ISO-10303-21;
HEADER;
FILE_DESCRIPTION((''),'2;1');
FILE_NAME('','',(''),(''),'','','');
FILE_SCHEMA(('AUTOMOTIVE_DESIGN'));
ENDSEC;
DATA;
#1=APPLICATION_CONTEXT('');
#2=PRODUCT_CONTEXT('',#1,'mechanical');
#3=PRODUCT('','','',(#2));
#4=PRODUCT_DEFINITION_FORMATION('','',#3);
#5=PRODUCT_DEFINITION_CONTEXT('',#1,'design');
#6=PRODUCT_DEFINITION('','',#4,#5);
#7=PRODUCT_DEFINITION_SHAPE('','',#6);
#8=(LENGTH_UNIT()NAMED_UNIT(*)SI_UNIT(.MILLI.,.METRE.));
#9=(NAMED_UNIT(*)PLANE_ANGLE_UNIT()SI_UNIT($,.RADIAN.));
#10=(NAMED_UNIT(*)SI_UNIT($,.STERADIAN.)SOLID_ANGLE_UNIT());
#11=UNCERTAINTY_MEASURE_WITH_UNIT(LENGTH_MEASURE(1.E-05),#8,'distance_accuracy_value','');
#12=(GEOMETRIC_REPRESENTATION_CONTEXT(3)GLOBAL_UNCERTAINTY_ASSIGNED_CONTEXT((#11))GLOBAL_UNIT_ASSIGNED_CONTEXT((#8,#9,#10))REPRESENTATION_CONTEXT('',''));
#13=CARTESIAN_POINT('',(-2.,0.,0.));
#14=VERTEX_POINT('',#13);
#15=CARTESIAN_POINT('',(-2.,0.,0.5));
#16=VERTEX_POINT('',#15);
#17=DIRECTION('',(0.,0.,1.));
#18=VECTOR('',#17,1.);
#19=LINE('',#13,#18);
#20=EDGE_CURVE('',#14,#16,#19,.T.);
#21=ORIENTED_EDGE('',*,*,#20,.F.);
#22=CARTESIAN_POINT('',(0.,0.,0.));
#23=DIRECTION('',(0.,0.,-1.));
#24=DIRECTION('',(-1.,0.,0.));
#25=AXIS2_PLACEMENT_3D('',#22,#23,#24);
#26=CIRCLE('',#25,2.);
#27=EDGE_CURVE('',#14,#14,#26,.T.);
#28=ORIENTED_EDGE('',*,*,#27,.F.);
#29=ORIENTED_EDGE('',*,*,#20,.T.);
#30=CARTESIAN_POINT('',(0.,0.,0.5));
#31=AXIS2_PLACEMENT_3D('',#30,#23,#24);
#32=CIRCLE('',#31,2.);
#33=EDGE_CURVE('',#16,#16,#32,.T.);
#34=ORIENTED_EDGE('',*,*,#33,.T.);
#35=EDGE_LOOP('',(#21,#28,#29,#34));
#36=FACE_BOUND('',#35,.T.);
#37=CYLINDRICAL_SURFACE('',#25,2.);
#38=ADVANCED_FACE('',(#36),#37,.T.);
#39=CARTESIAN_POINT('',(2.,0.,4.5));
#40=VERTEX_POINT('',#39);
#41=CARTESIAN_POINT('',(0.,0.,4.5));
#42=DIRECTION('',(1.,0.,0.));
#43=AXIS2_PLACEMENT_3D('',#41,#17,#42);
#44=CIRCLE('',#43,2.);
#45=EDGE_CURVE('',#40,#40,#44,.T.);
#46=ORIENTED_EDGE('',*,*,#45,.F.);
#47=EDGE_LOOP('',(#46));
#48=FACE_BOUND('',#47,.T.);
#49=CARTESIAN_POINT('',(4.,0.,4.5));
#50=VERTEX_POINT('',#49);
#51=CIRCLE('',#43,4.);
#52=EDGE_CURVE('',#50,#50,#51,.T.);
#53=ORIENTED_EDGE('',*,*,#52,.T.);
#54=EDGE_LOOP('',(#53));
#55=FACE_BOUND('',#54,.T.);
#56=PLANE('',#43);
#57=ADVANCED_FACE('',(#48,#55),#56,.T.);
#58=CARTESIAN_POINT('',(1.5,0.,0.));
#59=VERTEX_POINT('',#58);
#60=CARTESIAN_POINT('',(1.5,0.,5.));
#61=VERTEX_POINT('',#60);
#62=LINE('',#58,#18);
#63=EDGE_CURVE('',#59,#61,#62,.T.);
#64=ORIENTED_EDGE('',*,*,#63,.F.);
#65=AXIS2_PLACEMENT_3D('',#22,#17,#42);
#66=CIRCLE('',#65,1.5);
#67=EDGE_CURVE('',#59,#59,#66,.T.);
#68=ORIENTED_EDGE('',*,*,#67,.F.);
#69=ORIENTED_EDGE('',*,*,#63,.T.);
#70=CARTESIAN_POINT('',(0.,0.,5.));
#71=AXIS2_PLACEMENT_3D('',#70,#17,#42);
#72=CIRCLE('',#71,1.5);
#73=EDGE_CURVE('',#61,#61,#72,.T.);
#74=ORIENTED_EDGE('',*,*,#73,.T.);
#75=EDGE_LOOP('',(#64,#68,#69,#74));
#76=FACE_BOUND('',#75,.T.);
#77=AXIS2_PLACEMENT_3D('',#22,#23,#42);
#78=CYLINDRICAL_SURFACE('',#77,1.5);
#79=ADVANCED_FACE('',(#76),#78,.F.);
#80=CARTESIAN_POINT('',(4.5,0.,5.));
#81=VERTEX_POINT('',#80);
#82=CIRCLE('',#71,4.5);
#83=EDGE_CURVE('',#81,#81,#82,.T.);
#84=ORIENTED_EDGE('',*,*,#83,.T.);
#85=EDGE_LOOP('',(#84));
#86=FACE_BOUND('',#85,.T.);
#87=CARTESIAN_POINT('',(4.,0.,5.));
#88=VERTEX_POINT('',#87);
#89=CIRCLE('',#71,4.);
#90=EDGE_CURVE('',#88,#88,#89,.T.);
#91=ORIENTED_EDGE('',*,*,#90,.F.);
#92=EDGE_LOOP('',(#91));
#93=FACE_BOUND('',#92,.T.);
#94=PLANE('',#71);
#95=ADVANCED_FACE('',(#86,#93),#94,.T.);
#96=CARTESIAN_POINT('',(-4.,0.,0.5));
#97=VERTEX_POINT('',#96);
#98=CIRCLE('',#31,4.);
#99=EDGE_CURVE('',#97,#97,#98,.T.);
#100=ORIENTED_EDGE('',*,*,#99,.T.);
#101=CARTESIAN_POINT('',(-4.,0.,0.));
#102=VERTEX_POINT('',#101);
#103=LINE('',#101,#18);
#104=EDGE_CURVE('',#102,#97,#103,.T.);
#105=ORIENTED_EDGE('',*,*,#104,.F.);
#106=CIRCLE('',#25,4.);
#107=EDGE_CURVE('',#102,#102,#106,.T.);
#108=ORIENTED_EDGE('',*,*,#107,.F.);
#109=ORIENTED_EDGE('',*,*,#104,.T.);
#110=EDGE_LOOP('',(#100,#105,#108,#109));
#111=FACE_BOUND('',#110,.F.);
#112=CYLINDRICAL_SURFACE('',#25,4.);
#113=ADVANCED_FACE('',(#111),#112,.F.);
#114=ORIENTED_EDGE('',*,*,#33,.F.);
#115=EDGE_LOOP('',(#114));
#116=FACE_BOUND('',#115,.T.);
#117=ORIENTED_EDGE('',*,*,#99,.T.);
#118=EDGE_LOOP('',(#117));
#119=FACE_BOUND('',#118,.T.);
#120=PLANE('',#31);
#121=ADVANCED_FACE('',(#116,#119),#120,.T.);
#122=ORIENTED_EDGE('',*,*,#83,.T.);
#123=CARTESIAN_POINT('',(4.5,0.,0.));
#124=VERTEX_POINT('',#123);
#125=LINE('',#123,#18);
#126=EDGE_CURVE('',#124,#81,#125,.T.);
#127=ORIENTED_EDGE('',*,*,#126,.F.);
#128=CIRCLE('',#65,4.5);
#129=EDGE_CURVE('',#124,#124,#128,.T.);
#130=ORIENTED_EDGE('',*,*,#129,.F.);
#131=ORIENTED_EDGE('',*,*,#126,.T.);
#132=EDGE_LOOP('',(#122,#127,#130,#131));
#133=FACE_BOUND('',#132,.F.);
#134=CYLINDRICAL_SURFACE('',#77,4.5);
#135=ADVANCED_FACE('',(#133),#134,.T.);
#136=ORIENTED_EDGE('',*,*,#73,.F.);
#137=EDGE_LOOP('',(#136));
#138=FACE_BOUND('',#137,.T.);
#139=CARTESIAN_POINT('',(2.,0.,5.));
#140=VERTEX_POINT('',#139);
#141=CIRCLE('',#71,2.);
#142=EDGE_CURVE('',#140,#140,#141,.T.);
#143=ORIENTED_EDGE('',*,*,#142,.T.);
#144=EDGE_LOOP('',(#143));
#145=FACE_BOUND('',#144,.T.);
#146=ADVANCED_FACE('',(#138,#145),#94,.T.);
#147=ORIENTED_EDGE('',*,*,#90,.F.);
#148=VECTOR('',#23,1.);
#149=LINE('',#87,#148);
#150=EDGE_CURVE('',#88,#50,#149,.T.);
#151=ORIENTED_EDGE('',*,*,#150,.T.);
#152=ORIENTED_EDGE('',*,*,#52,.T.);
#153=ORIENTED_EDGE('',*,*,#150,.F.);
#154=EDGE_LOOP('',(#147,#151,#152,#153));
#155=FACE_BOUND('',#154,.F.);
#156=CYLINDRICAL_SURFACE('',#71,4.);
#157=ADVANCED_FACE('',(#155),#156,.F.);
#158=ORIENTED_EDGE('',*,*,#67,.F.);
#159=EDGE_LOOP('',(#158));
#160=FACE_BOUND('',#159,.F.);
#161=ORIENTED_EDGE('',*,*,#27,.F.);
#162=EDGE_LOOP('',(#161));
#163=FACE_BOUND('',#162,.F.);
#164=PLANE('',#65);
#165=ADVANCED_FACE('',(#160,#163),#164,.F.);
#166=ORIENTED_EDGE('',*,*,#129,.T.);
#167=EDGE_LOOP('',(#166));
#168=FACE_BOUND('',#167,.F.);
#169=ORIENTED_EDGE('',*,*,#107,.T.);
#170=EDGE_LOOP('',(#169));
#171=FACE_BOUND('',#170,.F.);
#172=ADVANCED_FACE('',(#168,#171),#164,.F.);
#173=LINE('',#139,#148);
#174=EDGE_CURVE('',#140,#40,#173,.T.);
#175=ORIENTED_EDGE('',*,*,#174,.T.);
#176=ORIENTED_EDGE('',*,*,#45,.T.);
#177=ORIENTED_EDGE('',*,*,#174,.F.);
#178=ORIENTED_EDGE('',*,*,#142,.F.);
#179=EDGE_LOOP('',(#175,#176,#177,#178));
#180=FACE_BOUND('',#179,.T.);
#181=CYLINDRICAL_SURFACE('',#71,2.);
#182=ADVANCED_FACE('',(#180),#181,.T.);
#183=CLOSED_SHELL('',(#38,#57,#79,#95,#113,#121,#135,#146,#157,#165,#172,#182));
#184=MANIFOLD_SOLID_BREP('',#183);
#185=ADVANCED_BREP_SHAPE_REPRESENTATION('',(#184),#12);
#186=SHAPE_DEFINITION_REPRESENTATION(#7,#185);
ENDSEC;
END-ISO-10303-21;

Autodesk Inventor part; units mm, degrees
ref_plane "YZ Plane" through (0, 0, 0) normal (1, 0, 0) x (0, 1, 0)
ref_plane "XZ Plane" through (0, 0, 0) normal (0, 1, 0) x (-1, 0, 0)
ref_plane "XY Plane" through (0, 0, 0) normal (0, 0, 1) x (1, 0, 0)
sketch "スケッチ1" plane through (0, 0, 0) normal (0, 0, 1) x (1, 0, 0)
  circle A0 centre (0, 0) radius 1.5
  circle A1 centre (0, 0) radius 4.5
  dimension "d0" = 3
  dimension "d1" = 9
extrude "押し出し1" add sketch "スケッチ1" along normal blind 5
sketch "スケッチ3" plane through (0, 0, 5) normal (0, 0, 1) x (1, 0, 0)
  circle A0 centre (0, 0) radius 1.5 projected
  circle A1 centre (0, 0) radius 4.5 projected
  circle A2 centre (0, 0) radius 4
  circle A3 centre (0, 0) radius 2
  dimension "d7" = 0.5
  dimension "d8" = 0.5
extrude "押し出し3" cut sketch "スケッチ3" against normal blind 0.5 contours A2
sketch "スケッチ7" plane through (0, 0, 0) normal (0, 0, -1) x (-1, 0, 0)
  circle A0 centre (0, 0) radius 2 projected
  circle A1 centre (0, 0) radius 4 projected
extrude "押し出し6" cut sketch "スケッチ7" against normal blind 0.5
properties part number "ベアリングd3D9B5F無" material "鋼、炭素鋼"
